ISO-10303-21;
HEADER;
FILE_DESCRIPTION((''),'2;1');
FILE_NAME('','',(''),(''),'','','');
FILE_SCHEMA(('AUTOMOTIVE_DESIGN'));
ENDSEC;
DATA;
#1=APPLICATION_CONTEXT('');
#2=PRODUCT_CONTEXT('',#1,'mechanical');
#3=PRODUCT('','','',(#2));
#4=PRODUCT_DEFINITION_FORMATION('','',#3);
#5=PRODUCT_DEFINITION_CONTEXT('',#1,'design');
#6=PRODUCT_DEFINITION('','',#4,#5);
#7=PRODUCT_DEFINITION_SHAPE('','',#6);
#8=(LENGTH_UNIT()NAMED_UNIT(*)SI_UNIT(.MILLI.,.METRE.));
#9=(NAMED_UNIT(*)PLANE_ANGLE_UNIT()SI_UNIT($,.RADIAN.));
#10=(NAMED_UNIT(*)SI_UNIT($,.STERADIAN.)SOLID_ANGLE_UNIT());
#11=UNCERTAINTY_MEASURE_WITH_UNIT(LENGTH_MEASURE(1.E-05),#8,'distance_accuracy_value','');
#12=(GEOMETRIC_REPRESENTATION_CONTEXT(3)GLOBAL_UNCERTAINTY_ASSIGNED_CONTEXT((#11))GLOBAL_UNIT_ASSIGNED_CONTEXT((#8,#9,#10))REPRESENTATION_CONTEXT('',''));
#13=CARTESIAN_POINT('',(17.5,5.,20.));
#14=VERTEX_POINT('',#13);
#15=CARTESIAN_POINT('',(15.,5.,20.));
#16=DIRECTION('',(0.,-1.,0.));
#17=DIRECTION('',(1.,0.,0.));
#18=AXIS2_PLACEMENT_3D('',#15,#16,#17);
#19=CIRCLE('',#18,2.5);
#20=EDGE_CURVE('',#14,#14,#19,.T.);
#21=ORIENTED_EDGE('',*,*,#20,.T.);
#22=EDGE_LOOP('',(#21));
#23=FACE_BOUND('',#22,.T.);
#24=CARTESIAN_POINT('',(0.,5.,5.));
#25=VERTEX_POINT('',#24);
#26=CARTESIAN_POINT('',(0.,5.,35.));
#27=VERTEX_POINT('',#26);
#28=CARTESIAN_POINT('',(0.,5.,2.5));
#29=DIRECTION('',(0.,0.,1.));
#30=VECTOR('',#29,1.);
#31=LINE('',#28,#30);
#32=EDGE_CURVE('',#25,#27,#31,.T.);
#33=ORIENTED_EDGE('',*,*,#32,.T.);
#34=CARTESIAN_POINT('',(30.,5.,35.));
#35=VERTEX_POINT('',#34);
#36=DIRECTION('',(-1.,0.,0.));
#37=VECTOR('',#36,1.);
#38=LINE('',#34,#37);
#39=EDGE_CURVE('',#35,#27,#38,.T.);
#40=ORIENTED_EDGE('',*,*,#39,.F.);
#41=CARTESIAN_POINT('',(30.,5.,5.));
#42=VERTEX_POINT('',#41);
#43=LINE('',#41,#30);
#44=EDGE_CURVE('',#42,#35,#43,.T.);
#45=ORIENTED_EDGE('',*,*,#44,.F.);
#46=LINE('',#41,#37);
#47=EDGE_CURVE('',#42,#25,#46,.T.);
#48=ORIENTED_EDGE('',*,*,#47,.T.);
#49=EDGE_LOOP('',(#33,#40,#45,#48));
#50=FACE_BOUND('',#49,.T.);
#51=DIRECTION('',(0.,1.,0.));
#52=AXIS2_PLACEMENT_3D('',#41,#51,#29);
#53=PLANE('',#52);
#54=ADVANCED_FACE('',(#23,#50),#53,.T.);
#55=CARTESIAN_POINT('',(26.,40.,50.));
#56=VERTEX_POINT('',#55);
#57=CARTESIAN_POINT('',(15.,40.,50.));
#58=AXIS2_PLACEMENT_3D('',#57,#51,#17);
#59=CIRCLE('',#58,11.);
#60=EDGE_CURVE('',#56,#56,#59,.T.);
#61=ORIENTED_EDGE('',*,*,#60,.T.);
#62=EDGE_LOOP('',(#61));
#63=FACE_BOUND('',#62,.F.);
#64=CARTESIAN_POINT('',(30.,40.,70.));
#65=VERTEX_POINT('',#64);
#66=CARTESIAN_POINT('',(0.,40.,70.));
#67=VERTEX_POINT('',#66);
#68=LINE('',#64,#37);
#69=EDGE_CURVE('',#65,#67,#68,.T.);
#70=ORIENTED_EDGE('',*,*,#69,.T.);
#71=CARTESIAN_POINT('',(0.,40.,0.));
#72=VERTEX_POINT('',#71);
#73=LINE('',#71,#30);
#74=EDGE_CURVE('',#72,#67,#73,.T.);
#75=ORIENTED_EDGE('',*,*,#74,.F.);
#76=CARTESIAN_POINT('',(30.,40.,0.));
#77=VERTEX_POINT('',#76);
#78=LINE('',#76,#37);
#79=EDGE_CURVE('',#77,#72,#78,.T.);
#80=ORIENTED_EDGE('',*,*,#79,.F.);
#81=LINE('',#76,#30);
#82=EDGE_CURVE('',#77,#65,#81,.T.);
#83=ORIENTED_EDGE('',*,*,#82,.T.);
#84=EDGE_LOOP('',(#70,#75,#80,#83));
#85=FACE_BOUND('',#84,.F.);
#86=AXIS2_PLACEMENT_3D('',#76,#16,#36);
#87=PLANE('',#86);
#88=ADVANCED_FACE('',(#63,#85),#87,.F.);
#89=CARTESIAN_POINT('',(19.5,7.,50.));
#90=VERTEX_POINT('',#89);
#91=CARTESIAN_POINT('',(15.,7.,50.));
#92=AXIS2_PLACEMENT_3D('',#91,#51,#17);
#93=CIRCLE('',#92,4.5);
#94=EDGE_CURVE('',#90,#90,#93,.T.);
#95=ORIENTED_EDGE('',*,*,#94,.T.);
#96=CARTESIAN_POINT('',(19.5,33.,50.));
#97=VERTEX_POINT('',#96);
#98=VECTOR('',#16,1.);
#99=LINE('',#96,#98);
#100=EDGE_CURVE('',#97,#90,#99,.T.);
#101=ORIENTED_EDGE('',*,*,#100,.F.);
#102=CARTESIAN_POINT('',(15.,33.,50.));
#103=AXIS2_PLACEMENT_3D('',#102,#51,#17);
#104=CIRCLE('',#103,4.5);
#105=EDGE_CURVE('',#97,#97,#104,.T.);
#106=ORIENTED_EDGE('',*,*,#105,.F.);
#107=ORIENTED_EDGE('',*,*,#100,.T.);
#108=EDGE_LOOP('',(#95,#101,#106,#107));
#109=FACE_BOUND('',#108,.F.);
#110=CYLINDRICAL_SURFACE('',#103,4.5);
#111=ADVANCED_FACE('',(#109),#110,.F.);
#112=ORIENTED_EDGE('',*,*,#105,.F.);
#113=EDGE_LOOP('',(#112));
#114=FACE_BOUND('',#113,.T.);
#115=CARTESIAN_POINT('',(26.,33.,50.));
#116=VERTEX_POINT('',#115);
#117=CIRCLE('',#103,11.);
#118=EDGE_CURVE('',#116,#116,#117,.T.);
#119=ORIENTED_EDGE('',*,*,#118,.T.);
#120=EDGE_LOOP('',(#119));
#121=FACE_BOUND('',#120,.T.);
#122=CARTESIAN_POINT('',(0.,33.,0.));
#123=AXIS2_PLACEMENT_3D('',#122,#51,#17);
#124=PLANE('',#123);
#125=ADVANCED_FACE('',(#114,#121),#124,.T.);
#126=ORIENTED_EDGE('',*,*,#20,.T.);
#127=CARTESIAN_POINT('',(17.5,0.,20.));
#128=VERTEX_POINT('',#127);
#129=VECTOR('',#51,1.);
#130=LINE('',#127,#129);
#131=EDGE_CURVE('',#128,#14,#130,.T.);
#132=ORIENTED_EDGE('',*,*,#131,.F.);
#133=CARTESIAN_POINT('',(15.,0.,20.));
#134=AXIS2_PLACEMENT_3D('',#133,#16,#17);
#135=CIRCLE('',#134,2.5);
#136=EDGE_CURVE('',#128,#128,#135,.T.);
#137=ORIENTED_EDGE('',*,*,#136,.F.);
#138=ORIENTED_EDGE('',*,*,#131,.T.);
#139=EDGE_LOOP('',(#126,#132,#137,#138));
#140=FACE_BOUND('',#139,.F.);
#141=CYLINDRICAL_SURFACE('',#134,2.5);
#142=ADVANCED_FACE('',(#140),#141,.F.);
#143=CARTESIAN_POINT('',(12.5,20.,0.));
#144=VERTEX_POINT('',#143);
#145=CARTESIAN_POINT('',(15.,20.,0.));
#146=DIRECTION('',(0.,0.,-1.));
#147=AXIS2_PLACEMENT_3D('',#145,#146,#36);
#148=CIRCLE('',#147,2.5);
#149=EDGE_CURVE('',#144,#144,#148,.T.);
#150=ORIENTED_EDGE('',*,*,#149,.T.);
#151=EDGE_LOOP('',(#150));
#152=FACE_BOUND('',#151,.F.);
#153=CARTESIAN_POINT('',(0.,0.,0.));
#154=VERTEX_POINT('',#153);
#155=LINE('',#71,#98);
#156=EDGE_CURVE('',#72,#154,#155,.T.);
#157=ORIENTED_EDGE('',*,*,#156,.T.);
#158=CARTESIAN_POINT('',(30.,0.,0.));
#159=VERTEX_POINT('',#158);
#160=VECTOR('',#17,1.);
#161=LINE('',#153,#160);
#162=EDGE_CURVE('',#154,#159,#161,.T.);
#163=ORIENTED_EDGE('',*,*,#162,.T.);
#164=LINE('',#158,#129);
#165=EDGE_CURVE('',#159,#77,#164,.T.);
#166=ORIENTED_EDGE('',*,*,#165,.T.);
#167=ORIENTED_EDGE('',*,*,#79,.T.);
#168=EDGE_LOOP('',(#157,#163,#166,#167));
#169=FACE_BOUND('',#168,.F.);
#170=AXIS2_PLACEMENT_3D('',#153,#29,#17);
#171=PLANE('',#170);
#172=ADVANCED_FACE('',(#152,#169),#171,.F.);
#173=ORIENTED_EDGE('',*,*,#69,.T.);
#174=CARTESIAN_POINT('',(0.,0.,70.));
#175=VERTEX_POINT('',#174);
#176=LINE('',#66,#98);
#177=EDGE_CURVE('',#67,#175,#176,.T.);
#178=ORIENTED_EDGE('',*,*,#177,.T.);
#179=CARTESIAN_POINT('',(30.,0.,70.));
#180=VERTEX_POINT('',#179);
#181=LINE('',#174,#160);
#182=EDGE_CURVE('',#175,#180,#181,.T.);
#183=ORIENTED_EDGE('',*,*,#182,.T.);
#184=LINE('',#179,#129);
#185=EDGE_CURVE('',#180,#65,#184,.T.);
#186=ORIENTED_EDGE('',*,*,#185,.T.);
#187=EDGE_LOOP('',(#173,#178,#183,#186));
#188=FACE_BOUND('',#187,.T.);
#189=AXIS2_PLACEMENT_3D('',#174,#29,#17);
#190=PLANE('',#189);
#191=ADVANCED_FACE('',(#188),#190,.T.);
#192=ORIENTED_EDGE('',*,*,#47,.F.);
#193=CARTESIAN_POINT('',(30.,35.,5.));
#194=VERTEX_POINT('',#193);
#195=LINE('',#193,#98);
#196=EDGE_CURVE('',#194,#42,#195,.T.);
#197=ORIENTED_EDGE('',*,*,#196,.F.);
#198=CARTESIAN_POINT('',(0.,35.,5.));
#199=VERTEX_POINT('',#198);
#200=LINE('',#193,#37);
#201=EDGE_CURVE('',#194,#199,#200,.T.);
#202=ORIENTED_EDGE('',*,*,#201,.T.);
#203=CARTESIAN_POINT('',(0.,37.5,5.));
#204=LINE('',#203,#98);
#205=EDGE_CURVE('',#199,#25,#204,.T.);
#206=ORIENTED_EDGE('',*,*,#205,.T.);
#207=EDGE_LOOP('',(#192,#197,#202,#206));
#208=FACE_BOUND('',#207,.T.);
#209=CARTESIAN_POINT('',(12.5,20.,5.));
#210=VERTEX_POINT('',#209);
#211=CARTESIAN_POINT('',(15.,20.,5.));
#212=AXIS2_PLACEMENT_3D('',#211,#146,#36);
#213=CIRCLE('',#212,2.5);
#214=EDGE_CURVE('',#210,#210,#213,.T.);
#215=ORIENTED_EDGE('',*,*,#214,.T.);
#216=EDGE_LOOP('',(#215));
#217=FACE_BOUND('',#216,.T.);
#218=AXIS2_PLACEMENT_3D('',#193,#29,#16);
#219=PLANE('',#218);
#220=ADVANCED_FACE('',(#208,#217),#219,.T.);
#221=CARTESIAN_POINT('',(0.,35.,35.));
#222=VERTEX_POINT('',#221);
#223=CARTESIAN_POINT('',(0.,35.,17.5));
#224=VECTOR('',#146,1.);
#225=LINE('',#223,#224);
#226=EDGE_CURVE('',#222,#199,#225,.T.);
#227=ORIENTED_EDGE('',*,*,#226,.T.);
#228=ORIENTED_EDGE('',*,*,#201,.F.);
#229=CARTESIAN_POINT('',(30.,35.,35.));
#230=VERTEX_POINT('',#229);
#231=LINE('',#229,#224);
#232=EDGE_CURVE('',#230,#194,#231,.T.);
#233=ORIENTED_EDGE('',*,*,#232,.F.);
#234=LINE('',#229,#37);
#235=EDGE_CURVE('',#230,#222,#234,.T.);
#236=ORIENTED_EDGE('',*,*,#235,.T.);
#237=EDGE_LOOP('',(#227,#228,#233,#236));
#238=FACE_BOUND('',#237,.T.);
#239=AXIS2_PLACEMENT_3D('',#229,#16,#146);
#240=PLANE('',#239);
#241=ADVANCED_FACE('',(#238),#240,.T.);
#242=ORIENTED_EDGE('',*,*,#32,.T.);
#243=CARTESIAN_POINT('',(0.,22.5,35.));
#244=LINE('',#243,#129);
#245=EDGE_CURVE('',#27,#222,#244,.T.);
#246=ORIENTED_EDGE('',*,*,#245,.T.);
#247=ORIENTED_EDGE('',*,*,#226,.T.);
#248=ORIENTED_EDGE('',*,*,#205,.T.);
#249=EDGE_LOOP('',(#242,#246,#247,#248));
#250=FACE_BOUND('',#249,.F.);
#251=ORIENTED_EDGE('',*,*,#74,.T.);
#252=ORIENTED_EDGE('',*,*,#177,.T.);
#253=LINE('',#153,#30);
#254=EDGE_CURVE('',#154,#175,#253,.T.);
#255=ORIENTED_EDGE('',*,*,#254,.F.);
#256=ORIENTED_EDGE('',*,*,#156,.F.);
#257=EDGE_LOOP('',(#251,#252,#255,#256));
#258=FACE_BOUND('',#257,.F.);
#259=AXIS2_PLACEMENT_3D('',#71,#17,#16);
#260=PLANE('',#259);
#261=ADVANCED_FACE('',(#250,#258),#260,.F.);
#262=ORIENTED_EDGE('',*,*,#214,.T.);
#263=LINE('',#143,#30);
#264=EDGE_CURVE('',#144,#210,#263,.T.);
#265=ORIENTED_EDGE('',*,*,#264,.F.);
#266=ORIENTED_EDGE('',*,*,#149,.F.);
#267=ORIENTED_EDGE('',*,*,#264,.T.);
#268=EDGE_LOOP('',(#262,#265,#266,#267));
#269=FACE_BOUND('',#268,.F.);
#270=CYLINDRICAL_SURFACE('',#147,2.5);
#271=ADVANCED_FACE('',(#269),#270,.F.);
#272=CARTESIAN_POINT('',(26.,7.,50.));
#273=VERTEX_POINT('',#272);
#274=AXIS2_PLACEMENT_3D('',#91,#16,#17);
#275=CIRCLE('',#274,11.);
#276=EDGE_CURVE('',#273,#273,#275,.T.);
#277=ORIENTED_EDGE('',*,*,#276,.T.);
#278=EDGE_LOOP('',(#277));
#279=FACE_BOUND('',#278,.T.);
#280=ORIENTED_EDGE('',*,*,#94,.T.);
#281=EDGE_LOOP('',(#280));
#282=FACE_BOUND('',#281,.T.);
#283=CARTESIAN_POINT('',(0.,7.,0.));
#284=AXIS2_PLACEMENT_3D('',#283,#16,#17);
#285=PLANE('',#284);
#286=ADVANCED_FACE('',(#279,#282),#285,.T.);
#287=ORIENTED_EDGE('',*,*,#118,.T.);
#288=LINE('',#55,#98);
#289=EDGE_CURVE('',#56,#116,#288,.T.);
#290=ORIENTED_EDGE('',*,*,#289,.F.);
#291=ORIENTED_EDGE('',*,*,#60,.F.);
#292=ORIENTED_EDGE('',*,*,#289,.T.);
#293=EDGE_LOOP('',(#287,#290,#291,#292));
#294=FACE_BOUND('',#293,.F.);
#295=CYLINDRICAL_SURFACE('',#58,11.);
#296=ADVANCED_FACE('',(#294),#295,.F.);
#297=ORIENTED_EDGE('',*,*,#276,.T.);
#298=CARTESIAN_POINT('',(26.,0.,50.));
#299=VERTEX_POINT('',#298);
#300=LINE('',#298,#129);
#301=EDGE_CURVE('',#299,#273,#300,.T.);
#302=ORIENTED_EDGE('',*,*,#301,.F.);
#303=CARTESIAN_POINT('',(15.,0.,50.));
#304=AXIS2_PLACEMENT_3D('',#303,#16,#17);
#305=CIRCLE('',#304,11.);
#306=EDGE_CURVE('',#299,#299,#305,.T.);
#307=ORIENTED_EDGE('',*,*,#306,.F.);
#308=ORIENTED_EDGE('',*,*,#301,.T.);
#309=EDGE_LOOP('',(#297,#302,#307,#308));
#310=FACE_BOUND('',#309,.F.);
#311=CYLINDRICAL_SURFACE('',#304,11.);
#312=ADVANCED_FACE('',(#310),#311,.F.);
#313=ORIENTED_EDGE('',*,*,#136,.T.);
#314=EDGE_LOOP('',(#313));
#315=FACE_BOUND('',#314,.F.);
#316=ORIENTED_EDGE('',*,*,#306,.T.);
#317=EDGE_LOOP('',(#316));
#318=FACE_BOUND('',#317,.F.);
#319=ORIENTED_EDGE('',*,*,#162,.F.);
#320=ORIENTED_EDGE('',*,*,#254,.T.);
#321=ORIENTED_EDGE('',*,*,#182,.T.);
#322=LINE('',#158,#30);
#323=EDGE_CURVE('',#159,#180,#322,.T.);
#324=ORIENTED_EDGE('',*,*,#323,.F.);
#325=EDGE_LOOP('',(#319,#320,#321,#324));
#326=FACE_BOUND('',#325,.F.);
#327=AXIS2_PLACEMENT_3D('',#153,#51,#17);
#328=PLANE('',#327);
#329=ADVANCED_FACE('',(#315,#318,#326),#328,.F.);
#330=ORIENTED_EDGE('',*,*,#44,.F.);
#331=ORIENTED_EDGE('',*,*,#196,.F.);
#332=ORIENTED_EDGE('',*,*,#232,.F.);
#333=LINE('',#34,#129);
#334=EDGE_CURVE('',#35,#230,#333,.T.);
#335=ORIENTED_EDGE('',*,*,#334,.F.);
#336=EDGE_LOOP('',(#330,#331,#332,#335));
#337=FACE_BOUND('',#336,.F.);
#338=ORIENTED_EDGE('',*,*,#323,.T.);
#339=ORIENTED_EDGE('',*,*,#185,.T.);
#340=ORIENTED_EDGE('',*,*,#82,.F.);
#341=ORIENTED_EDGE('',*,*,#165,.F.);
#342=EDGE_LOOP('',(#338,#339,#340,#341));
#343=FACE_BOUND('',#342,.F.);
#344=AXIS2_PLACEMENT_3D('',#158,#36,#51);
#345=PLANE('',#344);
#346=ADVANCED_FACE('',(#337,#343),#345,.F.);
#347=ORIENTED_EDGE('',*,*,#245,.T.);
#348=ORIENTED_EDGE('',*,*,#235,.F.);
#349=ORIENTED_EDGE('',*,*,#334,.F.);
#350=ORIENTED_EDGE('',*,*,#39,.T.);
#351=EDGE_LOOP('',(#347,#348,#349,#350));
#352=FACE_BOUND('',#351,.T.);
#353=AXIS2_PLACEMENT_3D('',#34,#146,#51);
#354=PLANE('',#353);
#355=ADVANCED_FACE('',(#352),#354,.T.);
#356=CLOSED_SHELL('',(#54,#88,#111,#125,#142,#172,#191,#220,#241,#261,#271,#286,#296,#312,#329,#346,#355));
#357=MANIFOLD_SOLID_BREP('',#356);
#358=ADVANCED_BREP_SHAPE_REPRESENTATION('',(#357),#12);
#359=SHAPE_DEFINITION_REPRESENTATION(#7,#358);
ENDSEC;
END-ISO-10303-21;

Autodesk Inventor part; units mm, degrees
ref_plane "YZ Plane" through (0, 0, 0) normal (1, 0, 0) x (0, 1, 0)
ref_plane "XZ Plane" through (0, 0, 0) normal (0, 1, 0) x (-1, 0, 0)
ref_plane "XY Plane" through (0, 0, 0) normal (0, 0, 1) x (1, 0, 0)
sketch "Sketch1" plane through (0, 0, 0) normal (0, 0, 1) x (1, 0, 0)
  line L0 (0, 0) -> (30, 0)
  line L1 (30, 0) -> (30, 40)
  line L2 (30, 40) -> (0, 40)
  line L3 (0, 40) -> (0, 0)
  dimension "d0" = 40
  dimension "d1" = 30
extrude "Extrusion1" add sketch "Sketch1" along normal blind 70
sketch "Sketch2" plane through (30, 0, 0) normal (1, 0, 0) x (0, 0, -1)
  line L0 (-5, 5) -> (-35, 5)
  line L1 (-35, 5) -> (-35, 35)
  line L2 (-35, 35) -> (-5, 35)
  line L3 (-5, 35) -> (-5, 5)
  line L4 (0, 0) -> (0, 40) projected
  line L5 (0, 0) -> (-70, 0) projected
  point P0 (-5, 20)
  dimension "d4" = 5
  dimension "d5" = 30
  dimension "d6" = 30
  dimension "d7" = 5
extrude "Extrusion2" cut sketch "Sketch2" against normal blind 70
sketch "Sketch3" plane through (0, 0, 0) normal (0, -1, 0) x (1, 0, 0)
  circle A0 centre (15, 50) radius 11
  line L0 (30, 35) -> (0, 35) projected
  line L1 (30, 0) -> (30, 70) projected
  point P0 (0, 0)
  dimension "d10" = 15
  dimension "d11" = 22
  dimension "d12" = 15
extrude "Extrusion3" cut sketch "Sketch3" against normal blind 7
sketch "Sketch4" plane through (0, 40, 0) normal (0, 1, 0) x (1, 0, 0)
  circle A0 centre (15, -50) radius 11
  line L0 (0, 0) -> (0, -70) projected
  point P0 (30, -35)
  dimension "d15" = 22
  dimension "d16" = 15
  dimension "d17" = 15
extrude "Extrusion4" cut sketch "Sketch4" against normal blind 7
sketch "Sketch5" plane through (15, 33, 50) normal (0, 1, 0) x (1, 0, 0)
  circle A0 centre (0, 0) radius 4.5
  point P0 (-15, 50)
  dimension "d20" = 9
extrude "Extrusion5" cut sketch "Sketch5" against normal blind 30
sketch "Sketch6" plane through (0, 0, 0) normal (0, -1, 0) x (1, 0, 0)
  circle A0 centre (15, 20) radius 2.5
  line L0 (0, 0) -> (0, 70) projected
  point P0 (0, 5)
  dimension "d23" = 5
  dimension "d24" = 15
  dimension "d25" = 15
extrude "Extrusion6" cut sketch "Sketch6" against normal blind 10
sketch "Sketch7" plane through (0, 0, 0) normal (0, 0, -1) x (-1, 0, 0)
  circle A0 centre (-15, 20) radius 2.5
  line L0 (0, 40) -> (0, 0) projected
  point P0 (0, 5)
  dimension "d28" = 5
  dimension "d29" = 15
  dimension "d30" = 15
extrude "Extrusion7" cut sketch "Sketch7" against normal blind 10
properties part number "double_gear_mount"
